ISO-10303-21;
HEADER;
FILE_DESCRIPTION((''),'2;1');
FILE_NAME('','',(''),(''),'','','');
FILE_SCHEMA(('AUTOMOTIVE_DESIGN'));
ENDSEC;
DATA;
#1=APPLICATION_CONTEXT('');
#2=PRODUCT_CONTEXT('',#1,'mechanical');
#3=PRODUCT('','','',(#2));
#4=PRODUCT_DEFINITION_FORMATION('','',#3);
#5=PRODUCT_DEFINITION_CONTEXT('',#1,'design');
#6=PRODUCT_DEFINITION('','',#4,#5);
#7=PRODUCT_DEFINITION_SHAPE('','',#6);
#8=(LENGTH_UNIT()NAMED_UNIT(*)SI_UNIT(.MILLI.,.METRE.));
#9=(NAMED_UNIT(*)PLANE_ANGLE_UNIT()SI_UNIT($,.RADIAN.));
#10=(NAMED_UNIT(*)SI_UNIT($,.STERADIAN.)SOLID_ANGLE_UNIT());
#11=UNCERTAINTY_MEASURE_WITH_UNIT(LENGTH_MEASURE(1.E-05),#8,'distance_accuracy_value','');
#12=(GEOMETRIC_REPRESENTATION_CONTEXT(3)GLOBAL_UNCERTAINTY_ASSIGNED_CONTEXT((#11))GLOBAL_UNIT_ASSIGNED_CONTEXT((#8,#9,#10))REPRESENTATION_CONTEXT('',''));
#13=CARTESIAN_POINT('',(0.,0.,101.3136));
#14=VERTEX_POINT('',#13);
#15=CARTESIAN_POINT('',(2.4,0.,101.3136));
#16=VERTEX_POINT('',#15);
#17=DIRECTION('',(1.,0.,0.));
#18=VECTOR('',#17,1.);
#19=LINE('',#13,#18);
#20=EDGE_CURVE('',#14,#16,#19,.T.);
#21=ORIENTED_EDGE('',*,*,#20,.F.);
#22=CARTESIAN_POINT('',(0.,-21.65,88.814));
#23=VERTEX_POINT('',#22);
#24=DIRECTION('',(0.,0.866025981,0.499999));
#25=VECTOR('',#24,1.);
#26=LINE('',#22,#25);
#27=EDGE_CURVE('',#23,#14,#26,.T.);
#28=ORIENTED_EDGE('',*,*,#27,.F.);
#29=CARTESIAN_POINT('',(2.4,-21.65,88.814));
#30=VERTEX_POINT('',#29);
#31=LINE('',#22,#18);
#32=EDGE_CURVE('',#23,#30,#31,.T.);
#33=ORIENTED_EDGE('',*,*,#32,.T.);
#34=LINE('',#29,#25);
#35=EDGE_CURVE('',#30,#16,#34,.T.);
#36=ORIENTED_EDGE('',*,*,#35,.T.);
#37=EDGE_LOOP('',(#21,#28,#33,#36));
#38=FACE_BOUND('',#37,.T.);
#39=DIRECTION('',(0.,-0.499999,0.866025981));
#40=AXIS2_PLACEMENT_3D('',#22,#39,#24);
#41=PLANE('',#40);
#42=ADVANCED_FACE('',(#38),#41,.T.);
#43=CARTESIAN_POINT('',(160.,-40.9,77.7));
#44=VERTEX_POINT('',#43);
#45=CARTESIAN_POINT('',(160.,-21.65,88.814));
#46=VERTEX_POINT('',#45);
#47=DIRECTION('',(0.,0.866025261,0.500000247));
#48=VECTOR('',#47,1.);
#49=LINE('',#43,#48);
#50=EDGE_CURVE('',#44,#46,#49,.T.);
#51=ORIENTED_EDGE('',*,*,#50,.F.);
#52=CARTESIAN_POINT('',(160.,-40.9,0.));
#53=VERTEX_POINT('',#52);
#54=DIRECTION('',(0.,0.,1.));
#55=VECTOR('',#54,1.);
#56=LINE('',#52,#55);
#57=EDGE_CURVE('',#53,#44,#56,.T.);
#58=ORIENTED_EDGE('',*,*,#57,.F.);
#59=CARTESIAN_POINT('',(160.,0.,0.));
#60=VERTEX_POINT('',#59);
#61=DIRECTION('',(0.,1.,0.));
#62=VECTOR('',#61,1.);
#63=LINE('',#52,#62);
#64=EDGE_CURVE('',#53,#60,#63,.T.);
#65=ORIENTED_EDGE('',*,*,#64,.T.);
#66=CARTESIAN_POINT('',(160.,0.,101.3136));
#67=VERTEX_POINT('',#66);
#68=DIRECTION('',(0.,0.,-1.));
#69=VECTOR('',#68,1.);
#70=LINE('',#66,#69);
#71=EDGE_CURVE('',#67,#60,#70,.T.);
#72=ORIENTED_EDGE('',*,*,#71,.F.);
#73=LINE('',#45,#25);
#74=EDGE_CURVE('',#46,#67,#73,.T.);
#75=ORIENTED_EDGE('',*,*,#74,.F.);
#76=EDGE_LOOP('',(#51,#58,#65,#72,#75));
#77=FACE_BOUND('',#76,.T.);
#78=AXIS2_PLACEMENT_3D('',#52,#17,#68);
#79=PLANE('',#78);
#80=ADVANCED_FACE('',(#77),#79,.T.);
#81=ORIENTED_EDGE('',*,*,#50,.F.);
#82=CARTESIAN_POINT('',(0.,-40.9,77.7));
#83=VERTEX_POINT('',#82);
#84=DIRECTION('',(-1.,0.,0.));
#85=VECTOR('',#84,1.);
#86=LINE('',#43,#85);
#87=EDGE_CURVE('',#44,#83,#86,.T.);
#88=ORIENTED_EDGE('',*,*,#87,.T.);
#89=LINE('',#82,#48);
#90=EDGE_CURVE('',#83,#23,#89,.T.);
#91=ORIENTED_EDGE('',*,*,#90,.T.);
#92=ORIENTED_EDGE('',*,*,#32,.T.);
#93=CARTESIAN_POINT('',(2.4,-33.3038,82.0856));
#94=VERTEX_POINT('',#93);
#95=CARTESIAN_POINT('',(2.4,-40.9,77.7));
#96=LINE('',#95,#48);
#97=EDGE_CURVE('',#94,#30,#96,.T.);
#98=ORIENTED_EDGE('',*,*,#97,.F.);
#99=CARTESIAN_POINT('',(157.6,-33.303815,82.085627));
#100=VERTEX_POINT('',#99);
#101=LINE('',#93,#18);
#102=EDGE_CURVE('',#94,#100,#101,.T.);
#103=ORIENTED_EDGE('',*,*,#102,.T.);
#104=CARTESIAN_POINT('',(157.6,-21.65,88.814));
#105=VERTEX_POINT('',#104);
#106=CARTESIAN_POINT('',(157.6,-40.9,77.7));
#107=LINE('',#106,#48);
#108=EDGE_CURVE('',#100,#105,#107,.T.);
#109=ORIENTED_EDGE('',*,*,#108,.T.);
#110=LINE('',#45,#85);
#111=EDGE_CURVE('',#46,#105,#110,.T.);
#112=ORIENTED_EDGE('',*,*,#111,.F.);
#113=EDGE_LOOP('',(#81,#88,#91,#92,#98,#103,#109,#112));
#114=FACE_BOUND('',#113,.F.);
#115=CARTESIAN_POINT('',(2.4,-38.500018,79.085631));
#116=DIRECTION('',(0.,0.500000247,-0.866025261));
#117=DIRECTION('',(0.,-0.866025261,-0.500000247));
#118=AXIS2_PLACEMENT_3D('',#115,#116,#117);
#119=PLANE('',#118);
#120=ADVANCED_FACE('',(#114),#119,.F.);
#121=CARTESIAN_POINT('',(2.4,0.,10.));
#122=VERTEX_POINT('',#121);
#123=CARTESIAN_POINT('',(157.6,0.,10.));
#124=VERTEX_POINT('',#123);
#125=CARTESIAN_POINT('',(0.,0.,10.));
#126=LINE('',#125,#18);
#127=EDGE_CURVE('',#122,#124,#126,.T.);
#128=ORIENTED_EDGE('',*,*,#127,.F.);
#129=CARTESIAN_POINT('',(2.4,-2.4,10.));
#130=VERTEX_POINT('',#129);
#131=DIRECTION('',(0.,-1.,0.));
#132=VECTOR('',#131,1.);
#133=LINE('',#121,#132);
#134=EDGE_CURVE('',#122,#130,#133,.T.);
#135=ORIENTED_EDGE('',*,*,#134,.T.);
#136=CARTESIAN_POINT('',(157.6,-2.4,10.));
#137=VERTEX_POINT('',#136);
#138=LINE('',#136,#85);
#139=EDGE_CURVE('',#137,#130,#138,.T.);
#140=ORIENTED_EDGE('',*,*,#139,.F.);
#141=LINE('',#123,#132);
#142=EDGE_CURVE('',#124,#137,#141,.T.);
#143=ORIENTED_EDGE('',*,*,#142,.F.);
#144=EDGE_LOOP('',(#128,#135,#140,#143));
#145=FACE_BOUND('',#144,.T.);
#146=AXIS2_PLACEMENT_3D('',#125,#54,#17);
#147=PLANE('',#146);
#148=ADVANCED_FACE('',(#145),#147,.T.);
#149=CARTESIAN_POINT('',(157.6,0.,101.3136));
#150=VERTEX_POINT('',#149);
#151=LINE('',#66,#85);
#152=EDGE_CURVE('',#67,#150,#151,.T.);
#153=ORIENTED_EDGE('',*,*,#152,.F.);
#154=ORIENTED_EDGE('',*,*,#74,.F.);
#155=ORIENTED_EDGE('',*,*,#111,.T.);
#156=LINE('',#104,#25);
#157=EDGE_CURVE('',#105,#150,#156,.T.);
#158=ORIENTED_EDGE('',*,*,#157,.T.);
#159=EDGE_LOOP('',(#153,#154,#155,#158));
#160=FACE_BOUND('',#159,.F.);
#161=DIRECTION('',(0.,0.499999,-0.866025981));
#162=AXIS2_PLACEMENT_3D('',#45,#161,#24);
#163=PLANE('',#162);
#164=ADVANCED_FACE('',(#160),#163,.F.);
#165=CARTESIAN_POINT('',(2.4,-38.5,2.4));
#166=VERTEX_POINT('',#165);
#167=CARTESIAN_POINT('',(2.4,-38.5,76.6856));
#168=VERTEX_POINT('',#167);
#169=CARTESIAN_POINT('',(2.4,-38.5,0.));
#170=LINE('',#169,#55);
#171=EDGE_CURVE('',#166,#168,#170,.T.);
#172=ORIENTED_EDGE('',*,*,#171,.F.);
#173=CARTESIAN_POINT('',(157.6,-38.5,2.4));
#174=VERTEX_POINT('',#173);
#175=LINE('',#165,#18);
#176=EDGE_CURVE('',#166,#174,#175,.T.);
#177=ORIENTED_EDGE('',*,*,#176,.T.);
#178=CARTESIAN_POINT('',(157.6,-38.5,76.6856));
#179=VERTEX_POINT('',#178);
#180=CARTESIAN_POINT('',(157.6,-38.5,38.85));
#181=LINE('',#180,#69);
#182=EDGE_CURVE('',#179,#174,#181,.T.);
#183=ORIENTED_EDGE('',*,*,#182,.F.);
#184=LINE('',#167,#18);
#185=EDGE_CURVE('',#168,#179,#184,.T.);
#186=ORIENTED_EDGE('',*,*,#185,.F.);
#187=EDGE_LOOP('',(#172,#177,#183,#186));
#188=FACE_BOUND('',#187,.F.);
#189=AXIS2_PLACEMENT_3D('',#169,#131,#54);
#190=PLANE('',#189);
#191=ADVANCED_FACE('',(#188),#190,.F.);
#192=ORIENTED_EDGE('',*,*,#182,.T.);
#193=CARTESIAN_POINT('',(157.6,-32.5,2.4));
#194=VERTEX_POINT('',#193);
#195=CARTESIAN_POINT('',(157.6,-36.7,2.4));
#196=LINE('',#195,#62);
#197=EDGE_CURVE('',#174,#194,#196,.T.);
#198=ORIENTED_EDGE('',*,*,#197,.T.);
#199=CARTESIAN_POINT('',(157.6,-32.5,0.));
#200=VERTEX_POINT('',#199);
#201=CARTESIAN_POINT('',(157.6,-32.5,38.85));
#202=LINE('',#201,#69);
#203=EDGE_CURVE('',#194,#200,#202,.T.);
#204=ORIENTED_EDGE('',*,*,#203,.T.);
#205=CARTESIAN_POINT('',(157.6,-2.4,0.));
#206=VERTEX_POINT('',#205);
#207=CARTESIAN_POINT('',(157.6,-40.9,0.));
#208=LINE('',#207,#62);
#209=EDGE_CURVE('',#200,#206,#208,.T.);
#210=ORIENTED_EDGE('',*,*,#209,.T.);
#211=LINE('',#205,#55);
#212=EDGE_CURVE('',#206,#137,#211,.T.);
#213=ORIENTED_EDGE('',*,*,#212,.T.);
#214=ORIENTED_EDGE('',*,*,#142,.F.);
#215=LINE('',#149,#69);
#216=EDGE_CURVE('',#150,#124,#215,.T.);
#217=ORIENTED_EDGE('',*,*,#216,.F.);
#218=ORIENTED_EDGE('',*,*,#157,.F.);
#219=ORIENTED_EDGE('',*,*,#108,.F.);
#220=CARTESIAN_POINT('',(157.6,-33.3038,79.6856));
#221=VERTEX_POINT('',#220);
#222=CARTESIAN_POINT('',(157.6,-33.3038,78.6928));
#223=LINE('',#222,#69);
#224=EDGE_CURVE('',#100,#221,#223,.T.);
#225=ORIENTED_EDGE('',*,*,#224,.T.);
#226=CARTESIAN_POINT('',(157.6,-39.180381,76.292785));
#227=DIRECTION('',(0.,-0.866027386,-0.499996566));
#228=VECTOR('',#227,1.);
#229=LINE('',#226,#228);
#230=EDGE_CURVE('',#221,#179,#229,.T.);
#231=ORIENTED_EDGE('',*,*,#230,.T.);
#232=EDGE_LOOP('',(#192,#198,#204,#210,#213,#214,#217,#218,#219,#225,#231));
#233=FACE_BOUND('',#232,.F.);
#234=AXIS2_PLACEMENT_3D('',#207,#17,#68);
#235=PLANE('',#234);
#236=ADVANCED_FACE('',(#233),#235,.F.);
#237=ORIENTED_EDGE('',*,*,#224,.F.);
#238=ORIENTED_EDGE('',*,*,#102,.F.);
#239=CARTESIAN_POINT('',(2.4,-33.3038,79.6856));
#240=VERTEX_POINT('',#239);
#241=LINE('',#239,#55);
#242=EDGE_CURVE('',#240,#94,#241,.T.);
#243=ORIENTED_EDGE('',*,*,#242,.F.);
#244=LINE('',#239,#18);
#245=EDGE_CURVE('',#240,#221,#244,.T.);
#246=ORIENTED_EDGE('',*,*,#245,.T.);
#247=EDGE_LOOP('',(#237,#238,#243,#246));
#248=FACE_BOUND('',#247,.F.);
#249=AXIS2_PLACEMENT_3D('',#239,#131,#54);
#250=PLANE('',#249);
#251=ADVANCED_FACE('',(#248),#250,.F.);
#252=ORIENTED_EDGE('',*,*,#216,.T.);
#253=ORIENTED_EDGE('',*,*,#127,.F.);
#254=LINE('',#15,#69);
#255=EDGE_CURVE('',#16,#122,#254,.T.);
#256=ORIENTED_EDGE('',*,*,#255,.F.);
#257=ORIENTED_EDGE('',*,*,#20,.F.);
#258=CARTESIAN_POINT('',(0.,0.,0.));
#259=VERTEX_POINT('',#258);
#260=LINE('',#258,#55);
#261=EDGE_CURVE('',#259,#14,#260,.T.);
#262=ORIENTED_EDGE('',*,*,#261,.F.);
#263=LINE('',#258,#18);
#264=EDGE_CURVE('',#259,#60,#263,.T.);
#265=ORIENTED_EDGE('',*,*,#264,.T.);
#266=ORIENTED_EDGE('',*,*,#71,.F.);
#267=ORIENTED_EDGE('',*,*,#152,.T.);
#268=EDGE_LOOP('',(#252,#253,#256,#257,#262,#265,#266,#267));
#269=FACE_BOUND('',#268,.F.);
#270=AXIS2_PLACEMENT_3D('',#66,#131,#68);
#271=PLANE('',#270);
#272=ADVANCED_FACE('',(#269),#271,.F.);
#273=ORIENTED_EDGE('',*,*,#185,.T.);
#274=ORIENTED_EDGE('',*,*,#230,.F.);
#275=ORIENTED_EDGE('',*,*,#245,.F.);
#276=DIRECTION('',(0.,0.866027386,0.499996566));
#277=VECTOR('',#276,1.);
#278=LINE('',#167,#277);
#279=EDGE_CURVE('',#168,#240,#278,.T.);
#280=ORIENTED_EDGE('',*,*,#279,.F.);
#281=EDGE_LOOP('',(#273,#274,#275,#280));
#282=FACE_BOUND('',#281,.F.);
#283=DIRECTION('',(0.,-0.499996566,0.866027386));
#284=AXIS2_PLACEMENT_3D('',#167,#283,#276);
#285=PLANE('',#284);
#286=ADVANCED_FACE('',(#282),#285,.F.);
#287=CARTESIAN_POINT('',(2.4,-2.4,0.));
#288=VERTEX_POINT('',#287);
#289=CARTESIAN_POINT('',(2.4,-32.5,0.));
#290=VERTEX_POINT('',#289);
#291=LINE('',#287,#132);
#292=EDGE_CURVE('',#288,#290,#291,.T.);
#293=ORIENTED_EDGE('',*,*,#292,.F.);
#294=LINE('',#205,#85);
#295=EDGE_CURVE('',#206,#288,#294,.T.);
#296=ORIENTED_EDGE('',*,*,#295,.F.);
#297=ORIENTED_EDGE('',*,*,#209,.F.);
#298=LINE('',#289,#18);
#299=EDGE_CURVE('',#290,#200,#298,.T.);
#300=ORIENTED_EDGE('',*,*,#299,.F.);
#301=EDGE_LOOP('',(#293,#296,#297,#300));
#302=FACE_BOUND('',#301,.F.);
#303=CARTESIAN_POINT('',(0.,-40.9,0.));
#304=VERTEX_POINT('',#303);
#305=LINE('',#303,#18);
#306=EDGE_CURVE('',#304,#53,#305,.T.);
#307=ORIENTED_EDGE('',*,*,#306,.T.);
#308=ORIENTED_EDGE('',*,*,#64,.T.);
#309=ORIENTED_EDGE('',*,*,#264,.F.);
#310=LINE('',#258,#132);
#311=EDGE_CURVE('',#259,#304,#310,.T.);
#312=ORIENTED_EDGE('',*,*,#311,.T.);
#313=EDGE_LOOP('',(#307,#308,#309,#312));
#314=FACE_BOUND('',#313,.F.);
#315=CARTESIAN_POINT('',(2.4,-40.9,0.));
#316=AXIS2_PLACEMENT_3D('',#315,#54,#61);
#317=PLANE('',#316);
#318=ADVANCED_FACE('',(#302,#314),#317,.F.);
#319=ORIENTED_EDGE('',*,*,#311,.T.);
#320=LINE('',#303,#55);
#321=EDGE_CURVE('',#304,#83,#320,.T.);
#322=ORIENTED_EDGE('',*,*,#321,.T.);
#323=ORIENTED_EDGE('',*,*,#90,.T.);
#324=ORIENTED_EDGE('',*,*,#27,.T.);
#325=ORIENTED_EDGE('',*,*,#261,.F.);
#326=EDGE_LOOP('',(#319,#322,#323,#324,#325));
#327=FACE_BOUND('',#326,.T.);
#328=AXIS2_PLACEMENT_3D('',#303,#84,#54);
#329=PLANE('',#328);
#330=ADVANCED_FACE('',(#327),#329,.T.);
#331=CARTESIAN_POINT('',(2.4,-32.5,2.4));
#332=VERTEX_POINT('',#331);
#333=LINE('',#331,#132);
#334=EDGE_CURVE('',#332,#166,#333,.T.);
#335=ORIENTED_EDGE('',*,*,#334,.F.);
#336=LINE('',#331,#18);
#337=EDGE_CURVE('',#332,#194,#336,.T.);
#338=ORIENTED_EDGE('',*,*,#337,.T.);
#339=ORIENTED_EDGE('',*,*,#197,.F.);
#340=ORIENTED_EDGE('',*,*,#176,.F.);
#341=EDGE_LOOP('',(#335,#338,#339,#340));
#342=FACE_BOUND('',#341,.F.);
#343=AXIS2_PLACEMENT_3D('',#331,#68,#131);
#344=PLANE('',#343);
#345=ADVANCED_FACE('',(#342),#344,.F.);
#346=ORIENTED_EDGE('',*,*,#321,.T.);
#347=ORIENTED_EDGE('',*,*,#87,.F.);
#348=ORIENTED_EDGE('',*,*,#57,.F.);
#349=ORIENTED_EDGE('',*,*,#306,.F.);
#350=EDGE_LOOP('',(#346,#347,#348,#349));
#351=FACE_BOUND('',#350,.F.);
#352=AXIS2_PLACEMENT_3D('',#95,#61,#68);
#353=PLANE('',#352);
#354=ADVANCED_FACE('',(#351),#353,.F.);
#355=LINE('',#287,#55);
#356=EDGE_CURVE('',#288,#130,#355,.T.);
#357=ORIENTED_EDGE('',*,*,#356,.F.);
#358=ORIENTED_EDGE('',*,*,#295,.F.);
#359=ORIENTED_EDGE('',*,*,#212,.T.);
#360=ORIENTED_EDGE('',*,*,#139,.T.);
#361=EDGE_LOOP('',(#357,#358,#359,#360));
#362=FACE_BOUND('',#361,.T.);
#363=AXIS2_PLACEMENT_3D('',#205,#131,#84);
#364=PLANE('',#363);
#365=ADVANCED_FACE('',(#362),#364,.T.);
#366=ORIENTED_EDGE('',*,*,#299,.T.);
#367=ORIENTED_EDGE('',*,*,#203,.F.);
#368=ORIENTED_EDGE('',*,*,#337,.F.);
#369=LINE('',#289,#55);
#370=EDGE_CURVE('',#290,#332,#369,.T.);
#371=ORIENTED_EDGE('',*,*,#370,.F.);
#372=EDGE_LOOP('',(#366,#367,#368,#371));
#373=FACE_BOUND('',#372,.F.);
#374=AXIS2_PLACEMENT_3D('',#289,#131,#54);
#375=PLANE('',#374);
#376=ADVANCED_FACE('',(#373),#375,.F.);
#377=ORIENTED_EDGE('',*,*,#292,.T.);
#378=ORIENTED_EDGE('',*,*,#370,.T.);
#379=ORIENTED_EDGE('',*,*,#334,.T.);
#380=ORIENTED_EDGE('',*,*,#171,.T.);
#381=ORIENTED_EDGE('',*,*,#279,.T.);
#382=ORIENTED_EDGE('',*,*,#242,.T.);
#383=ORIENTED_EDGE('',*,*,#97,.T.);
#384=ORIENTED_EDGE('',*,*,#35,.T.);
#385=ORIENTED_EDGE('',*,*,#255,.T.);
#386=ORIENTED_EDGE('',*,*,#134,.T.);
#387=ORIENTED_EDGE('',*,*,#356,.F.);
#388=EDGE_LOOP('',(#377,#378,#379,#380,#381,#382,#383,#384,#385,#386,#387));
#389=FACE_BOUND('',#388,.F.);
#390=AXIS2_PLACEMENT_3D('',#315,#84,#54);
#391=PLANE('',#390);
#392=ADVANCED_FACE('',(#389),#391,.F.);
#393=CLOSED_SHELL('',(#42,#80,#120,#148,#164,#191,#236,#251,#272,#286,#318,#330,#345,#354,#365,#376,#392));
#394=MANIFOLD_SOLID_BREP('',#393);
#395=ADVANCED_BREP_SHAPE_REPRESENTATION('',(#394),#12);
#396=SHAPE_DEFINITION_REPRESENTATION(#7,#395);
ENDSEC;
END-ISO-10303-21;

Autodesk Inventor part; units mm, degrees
ref_plane "YZ Plane" through (0, 0, 0) normal (1, 0, 0) x (0, 1, 0)
ref_plane "XZ Plane" through (0, 0, 0) normal (0, 1, 0) x (-1, 0, 0)
ref_plane "XY Plane" through (0, 0, 0) normal (0, 0, 1) x (1, 0, 0)
sketch "Sketch1" plane through (0, 0, 0) normal (0, 0, 1) x (1, 0, 0)
  line L0 (0, 0) -> (0, -40.9)
  line L1 (0, 0) -> (160, 0)
  line L2 (160, 0) -> (160, -40.9)
  line L3 (160, -40.9) -> (157.6, -40.9)
  line L4 (157.6, -40.9) -> (157.6, -2.4)
  line L5 (157.6, -2.4) -> (2.4, -2.4)
  line L6 (2.4, -2.4) -> (2.4, -40.9)
  line L7 (2.4, -40.9) -> (0, -40.9)
  line L8 (160, -21.65) -> (157.6, -21.65)
  line L9 (2.4, -21.65) -> (0, -21.65)
  dimension "d0" = 40.9
  dimension "d1" = 160
  dimension "d2" = 2.4
  dimension "d3" = 38.5
  dimension "d4" = 155.2
extrude "Extrusion5" add sketch "Sketch1" along normal blind 77.7 contours L9 L6 L7 L0 | L2 L3 L4 L8
extrude "Extrusion6" add sketch "Sketch1" along normal blind 10 contours L1 L2 L8 L4 L5 L6 L9 L0
sketch "Sketch6" plane through (160, -40.9, 77.7) normal (1, 0, 0) x (0, 0, -1)
  line L0 (0, 0) -> (0, 19.25) projected
  line L1 (0, 19.25) -> (0, 0)
  line L2 (77.7, 0) -> (0, 0) projected
  line L3 (0, 0) -> (-11.114, 19.25)
  line L4 (0, 0) -> (22.228, 0) construction
  line L5 (-11.114, 19.25) -> (0, 19.25)
  point P0 (77.7, 40.9)
  dimension "d21" = 120
extrude "Extrusion7" add sketch "Sketch6" against normal blind 2.4
sketch "Sketch7" plane through (0, -40.9, 77.7) normal (-1, 0, 0) x (0, 0, 1)
  line L0 (0, 0) -> (0, 19.25) projected
  line L1 (0, 19.25) -> (0, 0)
  line L2 (-67.7, 19.25) -> (11.114, 19.25) projected
  line L3 (0, 0) -> (11.114, 19.25)
  line L4 (11.114, 19.25) -> (0, 19.25)
  point P0 (-77.7, 40.9)
extrude "Extrusion8" add sketch "Sketch7" against normal blind 2.4
sketch "Sketch8" plane through (2.4, -40.9, 0) normal (1, 0, 0) x (0, 0, -1)
  line L0 (0, 0) -> (0, 2.4)
  line L1 (0, 0) -> (0, 38.5) projected
  line L2 (0, 2.4) -> (-79.0856, 2.4)
  line L3 (-88.814, 19.25) -> (-77.7, 0) projected
  line L4 (-77.7, 0) -> (0, 0)
  point P0 (0, 40.9)
  dimension "d26" = 2.4
extrude "Extrusion9" add sketch "Sketch8" along normal blind 157
sketch "Sketch9" plane through (2.4, -21.65, 10) normal (1, 0, 0) x (0, 0, -1)
  line L0 (10, -16.85) -> (10, 19.25) projected
  line L1 (10, -16.85) -> (10, -10.85)
  line L2 (10, -10.85) -> (7.6, -10.85)
  line L3 (7.6, -10.85) -> (7.6, -16.85)
  line L4 (-69.0856, -16.85) -> (10, -16.85) projected
  line L5 (7.6, -16.85) -> (10, -16.85)
  line L6 (-69.0856, -16.85) -> (-66.6856, -16.85)
  line L7 (-66.6856, -16.85) -> (-69.6856, -11.6538)
  line L8 (-69.6856, -11.6538) -> (-72.0856, -11.6538)
  line L9 (-67.7, -19.25) -> (-78.814, 0) projected
  line L10 (-72.0856, -11.6538) -> (-69.0856, -16.85)
  point P0 (10, 21.65)
  dimension "d29" = 6
  dimension "d30" = 2.4
  dimension "d31" = 6
  dimension "d32" = 90
  dimension "d33" = 2.4
  dimension "d34" = 6
  dimension "d35" = 60
  dimension "d36" = 120
extrude "Extrusion10" add sketch "Sketch9" along normal blind 157
sketch "Sketch10" plane through (0, -40.9, 0) normal (-1, 0, 0) x (0, 0, 1)
  line L0 (10, 40.9) -> (10, 19.25)
  line L1 (10, 19.25) -> (88.814, 19.25)
  line L2 (10, 19.25) -> (88.814, 19.25) projected
  line L3 (88.814, 19.25) -> (101.3136, 40.9)
  line L4 (88.814, 19.25) -> (113.8133, 19.25) construction
  line L5 (101.3136, 40.9) -> (10, 40.9)
  point P0 (0, 40.9)
  dimension "d39" = 60
extrude "Extrusion11" add sketch "Sketch10" against normal blind 2.4
sketch "Sketch11" plane through (160, -40.9, 0) normal (1, 0, 0) x (0, 0, -1)
  line L0 (-10, 40.9) -> (-10, 38.5) projected
  line L1 (-10, 40.9) -> (-10, 19.25)
  line L2 (-10, 19.25) -> (-88.814, 19.25) projected
  line L3 (-10, 19.25) -> (-88.814, 19.25)
  line L4 (-88.814, 19.25) -> (-101.3136, 40.9)
  line L5 (-101.3136, 40.9) -> (-10, 40.9)
  point P0 (0, 40.9)
extrude "Extrusion12" add sketch "Sketch11" against normal blind 2.4
properties part number "Chassi_Top_Rear"
